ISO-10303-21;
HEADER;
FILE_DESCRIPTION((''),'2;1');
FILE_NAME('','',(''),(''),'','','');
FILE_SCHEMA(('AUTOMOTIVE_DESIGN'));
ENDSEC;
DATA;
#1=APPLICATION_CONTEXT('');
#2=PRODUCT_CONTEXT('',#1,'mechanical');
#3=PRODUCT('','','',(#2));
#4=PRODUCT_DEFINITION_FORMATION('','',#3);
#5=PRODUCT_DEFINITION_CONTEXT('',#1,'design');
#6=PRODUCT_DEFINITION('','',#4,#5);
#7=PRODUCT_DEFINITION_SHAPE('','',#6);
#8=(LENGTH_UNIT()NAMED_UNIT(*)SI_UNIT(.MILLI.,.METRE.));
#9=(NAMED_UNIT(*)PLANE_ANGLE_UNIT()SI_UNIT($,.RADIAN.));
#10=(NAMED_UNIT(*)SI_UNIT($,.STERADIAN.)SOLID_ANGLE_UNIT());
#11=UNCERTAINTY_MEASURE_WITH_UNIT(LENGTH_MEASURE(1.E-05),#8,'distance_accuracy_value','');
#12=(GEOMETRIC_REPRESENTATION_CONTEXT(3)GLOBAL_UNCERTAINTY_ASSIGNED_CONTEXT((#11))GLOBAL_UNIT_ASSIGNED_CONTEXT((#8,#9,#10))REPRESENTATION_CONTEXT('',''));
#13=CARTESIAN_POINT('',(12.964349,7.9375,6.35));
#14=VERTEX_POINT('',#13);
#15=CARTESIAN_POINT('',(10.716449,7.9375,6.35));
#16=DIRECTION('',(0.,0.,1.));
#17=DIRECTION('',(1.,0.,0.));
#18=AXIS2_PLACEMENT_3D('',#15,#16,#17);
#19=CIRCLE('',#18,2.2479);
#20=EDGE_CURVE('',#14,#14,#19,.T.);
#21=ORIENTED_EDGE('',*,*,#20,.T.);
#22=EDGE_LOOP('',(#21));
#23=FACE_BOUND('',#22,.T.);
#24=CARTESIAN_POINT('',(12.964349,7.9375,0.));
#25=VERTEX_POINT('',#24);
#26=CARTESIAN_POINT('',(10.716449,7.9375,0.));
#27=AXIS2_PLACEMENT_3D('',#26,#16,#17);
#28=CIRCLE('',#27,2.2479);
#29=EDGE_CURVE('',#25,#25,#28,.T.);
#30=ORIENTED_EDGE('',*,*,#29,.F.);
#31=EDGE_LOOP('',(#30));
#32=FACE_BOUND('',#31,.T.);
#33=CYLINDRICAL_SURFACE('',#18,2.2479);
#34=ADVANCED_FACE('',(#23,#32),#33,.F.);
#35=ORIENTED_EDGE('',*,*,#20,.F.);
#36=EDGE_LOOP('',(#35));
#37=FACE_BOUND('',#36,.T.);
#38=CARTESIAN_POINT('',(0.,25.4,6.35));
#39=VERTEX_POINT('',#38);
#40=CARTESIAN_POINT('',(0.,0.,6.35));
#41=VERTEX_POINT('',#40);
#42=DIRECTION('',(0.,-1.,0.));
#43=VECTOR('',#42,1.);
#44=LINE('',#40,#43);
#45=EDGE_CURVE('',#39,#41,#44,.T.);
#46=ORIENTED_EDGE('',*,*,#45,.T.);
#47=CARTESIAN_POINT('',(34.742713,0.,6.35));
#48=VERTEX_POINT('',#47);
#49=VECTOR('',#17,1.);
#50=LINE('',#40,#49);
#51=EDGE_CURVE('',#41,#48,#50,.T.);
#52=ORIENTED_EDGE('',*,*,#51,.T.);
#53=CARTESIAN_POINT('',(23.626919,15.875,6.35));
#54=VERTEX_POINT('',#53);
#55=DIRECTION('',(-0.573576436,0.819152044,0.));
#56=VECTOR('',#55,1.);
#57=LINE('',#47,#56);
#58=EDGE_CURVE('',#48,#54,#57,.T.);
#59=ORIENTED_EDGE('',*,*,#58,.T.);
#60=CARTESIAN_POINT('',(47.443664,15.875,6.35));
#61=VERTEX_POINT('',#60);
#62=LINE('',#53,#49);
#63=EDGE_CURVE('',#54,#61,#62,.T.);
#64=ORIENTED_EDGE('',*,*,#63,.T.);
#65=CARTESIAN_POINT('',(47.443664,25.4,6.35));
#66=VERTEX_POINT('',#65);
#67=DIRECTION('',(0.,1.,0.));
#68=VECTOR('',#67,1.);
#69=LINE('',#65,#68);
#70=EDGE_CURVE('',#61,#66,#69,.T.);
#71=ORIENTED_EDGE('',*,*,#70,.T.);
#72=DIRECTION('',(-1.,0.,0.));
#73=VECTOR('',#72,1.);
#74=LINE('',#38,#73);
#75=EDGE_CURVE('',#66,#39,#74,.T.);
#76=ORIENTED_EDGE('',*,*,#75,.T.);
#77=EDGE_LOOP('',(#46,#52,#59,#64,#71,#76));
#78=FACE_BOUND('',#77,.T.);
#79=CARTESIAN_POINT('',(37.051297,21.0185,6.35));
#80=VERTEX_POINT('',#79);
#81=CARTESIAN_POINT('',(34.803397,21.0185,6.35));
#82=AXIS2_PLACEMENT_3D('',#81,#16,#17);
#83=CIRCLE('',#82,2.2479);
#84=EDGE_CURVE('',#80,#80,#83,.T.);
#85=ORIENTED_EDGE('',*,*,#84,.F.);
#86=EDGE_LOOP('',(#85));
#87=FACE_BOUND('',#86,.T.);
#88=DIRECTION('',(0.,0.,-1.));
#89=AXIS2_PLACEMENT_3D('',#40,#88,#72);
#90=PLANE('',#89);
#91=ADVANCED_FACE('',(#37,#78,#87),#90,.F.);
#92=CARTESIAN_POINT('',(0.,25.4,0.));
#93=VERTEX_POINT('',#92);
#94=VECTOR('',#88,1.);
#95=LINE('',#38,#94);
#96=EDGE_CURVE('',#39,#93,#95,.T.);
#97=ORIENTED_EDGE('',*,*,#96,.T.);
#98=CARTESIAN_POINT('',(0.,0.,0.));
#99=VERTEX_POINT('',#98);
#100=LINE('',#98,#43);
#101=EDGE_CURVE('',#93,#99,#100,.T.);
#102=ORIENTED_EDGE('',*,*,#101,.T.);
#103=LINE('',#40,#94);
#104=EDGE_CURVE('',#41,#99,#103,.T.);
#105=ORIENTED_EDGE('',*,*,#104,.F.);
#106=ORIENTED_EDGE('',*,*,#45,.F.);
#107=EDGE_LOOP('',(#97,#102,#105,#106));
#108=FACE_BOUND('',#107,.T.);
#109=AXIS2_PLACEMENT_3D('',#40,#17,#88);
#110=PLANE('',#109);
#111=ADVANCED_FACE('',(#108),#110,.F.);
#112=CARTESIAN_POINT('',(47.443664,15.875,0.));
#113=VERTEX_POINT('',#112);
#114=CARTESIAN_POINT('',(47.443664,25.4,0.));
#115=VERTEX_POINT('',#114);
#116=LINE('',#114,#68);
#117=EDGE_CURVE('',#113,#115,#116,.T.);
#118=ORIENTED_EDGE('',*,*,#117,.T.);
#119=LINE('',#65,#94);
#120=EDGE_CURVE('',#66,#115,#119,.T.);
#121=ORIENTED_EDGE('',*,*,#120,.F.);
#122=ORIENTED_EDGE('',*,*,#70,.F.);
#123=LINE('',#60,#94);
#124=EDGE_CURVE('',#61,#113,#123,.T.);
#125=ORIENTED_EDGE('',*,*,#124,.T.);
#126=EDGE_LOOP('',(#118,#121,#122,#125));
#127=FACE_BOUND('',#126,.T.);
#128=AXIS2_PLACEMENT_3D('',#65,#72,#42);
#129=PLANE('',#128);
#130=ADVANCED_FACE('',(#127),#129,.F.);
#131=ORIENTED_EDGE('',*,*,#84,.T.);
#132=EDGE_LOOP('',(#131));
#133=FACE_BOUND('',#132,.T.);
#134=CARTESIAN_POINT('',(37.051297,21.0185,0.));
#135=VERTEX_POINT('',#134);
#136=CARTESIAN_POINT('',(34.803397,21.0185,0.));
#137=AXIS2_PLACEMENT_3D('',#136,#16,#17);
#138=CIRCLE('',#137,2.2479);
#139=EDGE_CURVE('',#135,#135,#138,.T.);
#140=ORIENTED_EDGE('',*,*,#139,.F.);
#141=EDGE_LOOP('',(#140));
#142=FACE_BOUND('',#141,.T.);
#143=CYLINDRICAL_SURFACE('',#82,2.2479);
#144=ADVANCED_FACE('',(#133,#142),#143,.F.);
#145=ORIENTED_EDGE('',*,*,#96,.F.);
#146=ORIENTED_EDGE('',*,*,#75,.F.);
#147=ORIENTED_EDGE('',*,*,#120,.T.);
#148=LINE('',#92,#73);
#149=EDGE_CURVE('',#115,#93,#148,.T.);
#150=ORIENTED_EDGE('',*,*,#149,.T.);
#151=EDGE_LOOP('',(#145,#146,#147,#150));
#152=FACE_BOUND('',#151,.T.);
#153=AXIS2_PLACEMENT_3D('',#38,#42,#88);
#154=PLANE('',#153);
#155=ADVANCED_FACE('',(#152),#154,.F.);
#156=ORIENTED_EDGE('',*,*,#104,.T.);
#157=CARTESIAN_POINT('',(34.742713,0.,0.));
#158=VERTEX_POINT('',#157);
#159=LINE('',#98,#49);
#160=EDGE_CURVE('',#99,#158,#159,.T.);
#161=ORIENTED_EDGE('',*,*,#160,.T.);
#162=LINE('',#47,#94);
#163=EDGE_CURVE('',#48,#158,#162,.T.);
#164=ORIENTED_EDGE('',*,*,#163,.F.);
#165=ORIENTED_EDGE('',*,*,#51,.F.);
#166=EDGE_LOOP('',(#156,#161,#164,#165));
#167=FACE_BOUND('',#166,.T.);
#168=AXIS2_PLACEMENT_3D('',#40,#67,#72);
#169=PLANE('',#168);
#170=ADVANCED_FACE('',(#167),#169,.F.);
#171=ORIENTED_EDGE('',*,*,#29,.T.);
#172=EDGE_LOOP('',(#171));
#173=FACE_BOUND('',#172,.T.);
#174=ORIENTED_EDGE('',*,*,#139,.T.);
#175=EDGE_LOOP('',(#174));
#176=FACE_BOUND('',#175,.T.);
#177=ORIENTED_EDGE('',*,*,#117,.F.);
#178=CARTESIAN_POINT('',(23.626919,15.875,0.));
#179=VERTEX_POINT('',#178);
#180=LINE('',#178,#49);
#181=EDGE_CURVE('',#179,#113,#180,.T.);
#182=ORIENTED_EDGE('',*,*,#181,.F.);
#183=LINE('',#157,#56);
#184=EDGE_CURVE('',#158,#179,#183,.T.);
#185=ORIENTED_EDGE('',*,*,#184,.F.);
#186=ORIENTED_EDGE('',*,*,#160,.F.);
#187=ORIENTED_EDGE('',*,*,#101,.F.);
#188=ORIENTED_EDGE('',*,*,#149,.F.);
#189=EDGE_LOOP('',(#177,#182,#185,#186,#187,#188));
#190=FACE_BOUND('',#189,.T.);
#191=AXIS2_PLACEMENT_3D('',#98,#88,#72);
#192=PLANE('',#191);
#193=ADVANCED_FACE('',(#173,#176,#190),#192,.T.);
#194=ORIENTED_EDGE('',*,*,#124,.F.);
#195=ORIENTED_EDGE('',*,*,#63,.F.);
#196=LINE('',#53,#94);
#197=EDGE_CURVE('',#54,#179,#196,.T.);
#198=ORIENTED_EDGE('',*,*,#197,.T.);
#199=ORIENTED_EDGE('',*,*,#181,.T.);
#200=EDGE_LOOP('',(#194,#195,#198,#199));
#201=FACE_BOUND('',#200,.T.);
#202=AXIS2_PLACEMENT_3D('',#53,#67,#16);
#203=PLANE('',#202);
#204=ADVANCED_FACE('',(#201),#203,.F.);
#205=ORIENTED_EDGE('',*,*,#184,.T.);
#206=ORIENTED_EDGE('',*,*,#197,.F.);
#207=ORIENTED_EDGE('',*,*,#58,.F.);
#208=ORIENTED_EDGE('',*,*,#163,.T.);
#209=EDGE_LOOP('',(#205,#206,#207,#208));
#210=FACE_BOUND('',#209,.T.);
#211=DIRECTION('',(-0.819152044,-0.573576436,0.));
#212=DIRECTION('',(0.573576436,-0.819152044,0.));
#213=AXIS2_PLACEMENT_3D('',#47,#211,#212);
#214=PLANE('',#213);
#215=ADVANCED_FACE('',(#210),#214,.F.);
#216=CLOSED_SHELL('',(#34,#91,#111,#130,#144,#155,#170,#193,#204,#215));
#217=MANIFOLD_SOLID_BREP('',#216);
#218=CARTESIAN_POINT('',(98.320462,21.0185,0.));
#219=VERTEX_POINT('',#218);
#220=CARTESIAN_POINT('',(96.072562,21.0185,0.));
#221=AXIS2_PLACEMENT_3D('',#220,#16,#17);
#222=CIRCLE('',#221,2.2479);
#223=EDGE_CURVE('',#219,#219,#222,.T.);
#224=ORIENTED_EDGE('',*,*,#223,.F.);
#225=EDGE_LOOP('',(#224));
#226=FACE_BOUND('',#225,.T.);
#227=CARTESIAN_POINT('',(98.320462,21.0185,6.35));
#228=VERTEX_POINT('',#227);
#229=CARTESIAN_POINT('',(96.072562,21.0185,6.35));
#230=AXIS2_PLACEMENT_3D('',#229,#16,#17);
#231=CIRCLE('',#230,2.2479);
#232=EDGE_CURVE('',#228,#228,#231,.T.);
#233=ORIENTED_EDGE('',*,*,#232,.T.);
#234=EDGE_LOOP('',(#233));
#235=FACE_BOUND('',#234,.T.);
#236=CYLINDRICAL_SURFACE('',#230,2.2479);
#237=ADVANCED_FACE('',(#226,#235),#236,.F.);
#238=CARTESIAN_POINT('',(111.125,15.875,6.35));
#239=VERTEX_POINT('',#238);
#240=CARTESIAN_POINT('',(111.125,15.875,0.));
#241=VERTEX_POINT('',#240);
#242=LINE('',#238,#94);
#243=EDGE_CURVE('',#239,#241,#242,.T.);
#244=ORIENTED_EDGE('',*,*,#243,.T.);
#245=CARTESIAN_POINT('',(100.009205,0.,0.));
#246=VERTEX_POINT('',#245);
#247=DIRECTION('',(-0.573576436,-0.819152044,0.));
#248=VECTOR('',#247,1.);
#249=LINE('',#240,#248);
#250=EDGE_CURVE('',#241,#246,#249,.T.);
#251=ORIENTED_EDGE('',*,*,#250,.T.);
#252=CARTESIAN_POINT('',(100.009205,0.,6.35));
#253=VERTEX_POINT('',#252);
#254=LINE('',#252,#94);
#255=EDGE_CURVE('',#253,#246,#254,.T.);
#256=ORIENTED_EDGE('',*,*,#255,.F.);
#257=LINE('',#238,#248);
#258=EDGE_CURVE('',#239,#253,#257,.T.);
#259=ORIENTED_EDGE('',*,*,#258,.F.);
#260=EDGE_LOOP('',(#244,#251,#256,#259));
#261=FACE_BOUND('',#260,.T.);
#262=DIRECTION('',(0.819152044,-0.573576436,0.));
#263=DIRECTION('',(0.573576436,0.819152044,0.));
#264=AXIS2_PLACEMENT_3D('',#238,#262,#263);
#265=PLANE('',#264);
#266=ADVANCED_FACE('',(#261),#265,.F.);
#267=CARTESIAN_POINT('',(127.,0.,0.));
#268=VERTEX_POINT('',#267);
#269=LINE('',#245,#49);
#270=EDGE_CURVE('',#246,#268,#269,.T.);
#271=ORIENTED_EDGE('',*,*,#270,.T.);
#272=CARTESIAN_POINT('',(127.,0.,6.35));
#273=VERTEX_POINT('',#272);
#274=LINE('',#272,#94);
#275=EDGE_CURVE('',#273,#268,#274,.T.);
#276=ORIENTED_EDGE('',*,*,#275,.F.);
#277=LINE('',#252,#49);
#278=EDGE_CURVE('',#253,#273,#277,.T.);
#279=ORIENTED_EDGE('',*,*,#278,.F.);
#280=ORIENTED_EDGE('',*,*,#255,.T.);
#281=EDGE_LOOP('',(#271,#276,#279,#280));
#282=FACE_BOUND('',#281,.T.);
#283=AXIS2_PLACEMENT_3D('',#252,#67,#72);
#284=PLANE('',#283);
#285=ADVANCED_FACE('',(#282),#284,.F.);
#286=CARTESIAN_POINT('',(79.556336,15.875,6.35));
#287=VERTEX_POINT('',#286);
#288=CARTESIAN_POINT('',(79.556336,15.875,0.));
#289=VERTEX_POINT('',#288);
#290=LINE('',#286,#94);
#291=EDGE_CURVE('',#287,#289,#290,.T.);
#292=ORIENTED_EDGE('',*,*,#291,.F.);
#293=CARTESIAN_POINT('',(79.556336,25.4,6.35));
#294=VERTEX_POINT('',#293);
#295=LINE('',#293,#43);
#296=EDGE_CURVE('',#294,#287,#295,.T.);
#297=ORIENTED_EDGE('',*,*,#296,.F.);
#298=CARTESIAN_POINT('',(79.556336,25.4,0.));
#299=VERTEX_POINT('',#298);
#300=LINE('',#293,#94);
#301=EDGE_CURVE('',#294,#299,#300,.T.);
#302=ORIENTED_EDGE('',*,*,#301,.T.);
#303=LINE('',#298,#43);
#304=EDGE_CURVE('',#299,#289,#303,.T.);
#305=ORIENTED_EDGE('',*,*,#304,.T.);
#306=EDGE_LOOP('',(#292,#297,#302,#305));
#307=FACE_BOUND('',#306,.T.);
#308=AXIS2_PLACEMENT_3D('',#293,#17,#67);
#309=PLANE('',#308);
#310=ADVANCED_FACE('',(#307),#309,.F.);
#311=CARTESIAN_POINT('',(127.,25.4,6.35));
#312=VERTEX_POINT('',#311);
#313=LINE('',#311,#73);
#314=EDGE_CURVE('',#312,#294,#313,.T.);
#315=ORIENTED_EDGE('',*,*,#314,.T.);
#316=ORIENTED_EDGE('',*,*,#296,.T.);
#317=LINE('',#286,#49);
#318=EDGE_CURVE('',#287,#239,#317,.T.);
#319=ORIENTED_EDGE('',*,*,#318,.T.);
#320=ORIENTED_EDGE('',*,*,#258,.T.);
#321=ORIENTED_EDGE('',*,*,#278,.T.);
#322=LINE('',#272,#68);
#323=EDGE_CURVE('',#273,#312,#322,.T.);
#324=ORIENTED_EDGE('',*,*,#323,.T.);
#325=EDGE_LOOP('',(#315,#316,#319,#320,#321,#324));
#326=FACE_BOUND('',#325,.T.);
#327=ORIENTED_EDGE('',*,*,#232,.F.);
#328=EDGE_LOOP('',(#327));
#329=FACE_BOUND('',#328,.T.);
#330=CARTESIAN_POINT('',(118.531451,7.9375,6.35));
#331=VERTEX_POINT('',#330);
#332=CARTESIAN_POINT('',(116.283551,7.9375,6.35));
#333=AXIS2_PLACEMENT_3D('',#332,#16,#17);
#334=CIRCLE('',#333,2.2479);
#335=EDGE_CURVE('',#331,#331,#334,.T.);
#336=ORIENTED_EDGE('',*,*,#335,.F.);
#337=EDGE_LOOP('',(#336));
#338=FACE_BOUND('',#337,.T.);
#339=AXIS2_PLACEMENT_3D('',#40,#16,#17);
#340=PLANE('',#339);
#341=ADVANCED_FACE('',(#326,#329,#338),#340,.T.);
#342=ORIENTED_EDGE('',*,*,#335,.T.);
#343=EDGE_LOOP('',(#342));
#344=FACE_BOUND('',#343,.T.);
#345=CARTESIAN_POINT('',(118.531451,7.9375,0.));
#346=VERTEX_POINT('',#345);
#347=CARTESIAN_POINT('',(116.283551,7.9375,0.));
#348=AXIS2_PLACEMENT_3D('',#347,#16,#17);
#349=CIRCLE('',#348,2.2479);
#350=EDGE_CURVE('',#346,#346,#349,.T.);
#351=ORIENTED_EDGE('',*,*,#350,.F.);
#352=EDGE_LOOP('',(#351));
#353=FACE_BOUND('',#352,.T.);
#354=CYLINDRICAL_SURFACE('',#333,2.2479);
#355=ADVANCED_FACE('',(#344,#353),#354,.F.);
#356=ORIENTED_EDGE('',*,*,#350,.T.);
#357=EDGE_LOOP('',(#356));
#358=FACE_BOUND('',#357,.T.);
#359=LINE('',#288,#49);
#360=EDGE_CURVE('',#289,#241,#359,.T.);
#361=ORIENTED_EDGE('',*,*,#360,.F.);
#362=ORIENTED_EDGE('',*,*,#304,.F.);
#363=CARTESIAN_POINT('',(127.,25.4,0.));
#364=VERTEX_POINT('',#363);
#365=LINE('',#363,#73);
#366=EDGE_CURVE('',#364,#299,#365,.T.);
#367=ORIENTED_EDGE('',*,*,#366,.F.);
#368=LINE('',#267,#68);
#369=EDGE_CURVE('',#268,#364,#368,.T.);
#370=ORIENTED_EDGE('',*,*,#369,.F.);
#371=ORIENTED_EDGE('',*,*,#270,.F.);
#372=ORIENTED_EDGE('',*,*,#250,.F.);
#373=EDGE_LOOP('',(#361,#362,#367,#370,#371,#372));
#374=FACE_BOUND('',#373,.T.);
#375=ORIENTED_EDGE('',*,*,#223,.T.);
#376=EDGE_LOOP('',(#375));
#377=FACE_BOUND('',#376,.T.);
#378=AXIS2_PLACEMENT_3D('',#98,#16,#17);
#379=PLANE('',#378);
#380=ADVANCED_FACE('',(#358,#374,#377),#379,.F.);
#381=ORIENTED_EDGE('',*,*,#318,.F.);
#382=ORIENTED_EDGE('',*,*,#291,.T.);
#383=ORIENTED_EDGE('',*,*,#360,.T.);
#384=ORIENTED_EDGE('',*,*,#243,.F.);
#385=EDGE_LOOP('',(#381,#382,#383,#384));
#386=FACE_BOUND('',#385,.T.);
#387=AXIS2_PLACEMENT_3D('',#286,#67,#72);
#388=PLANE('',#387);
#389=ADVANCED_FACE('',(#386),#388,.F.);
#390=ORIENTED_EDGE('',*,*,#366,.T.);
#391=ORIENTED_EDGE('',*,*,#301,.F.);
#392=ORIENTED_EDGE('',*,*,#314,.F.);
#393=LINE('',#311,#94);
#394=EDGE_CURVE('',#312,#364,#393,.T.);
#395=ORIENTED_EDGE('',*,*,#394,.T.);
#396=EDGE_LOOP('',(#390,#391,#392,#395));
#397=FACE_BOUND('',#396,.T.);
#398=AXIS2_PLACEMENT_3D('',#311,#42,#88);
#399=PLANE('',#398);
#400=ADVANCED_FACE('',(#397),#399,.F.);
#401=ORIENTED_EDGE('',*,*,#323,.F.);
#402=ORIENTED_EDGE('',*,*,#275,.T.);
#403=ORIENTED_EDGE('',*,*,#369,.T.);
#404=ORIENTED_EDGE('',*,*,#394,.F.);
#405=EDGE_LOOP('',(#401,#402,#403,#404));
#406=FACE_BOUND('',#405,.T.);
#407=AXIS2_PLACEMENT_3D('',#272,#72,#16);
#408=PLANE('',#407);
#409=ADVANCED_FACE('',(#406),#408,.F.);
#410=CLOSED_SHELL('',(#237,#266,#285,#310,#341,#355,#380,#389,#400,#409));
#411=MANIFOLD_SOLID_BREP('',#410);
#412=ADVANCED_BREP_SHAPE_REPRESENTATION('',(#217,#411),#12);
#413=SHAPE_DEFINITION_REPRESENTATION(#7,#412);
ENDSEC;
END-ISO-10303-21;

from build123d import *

# Parameters (mm, degrees)
BOSS_EXTRUDE1_DEPTH            = 6.35
BOSS_EXTRUDE1_2_DEPTH          = 6.35
SKETCH3_W                      = 2.2479
SKETCH3_H                      = 6.35
F_8_CLEARANCE_HOLE1_AT_2_COUNT = 2
F_8_CLEARANCE_HOLE1_AT_2_PITCH = 27.409736217
F_8_CLEARANCE_HOLE1_AT_3_COUNT = 2
F_8_CLEARANCE_HOLE1_AT_3_PITCH = 86.352641558
F_8_CLEARANCE_HOLE1_AT_4_COUNT = 2
F_8_CLEARANCE_HOLE1_AT_4_PITCH = 105.567102665


with BuildPart() as part:
    # Sketch1 → Boss-Extrude1 (new body)
    with BuildSketch(Plane.XY):
        Polygon((100.009205331, 0), (127, 0), (127, 25.4), (79.556336319, 25.4), (79.556336319, 15.875), (111.125, 15.875), align=None)
    extrude(amount=BOSS_EXTRUDE1_DEPTH)


with BuildPart() as body_2:
    # Sketch1 → Boss-Extrude1 2 (new body)
    with BuildSketch(Plane.XY):
        Polygon((0, 0), (0, 25.4), (47.443663681, 25.4), (47.443663681, 15.875), (23.626918639, 15.875), (34.742713308, 0), align=None)
    extrude(amount=BOSS_EXTRUDE1_2_DEPTH)

    # Sketch3 → #8 Clearance Hole1 (revolve, cut)
    with BuildSketch(Plane(origin=(10.716448667, 7.9375, 6.35), x_dir=(0, -1, 0), z_dir=(1, 0, 0))):
        with Locations((1.12395, 3.175)):
            Rectangle(SKETCH3_W, SKETCH3_H)
    f_8_clearance_hole1 = revolve(axis=Axis((10.716448667, 7.9375, 12.7), (0, 0, -1)), mode=Mode.SUBTRACT)

    # #8 Clearance Hole1 at 2: #8 Clearance Hole1 ×2
    with Locations(*[Vector(0.8787734442616352, 0.47723917867306637, 0) * (i * F_8_CLEARANCE_HOLE1_AT_2_PITCH) for i in range(1, F_8_CLEARANCE_HOLE1_AT_2_COUNT)]):
        add(f_8_clearance_hole1, mode=Mode.SUBTRACT)


with BuildPart() as part_1:
    add(part.part)

    # #8 Clearance Hole1 at 3: #8 Clearance Hole1 ×2
    with Locations(*[Vector(0.9884597870181576, 0.15148349562912322, 0) * (i * F_8_CLEARANCE_HOLE1_AT_3_PITCH) for i in range(1, F_8_CLEARANCE_HOLE1_AT_3_COUNT)]):
        add(f_8_clearance_hole1, mode=Mode.SUBTRACT)

    # #8 Clearance Hole1 at 4: #8 Clearance Hole1 ×2
    with Locations(*[(i * F_8_CLEARANCE_HOLE1_AT_4_PITCH, 0, 0) for i in range(1, F_8_CLEARANCE_HOLE1_AT_4_COUNT)]):
        add(f_8_clearance_hole1, mode=Mode.SUBTRACT)


solid = Compound([body_2.part, part_1.part])
